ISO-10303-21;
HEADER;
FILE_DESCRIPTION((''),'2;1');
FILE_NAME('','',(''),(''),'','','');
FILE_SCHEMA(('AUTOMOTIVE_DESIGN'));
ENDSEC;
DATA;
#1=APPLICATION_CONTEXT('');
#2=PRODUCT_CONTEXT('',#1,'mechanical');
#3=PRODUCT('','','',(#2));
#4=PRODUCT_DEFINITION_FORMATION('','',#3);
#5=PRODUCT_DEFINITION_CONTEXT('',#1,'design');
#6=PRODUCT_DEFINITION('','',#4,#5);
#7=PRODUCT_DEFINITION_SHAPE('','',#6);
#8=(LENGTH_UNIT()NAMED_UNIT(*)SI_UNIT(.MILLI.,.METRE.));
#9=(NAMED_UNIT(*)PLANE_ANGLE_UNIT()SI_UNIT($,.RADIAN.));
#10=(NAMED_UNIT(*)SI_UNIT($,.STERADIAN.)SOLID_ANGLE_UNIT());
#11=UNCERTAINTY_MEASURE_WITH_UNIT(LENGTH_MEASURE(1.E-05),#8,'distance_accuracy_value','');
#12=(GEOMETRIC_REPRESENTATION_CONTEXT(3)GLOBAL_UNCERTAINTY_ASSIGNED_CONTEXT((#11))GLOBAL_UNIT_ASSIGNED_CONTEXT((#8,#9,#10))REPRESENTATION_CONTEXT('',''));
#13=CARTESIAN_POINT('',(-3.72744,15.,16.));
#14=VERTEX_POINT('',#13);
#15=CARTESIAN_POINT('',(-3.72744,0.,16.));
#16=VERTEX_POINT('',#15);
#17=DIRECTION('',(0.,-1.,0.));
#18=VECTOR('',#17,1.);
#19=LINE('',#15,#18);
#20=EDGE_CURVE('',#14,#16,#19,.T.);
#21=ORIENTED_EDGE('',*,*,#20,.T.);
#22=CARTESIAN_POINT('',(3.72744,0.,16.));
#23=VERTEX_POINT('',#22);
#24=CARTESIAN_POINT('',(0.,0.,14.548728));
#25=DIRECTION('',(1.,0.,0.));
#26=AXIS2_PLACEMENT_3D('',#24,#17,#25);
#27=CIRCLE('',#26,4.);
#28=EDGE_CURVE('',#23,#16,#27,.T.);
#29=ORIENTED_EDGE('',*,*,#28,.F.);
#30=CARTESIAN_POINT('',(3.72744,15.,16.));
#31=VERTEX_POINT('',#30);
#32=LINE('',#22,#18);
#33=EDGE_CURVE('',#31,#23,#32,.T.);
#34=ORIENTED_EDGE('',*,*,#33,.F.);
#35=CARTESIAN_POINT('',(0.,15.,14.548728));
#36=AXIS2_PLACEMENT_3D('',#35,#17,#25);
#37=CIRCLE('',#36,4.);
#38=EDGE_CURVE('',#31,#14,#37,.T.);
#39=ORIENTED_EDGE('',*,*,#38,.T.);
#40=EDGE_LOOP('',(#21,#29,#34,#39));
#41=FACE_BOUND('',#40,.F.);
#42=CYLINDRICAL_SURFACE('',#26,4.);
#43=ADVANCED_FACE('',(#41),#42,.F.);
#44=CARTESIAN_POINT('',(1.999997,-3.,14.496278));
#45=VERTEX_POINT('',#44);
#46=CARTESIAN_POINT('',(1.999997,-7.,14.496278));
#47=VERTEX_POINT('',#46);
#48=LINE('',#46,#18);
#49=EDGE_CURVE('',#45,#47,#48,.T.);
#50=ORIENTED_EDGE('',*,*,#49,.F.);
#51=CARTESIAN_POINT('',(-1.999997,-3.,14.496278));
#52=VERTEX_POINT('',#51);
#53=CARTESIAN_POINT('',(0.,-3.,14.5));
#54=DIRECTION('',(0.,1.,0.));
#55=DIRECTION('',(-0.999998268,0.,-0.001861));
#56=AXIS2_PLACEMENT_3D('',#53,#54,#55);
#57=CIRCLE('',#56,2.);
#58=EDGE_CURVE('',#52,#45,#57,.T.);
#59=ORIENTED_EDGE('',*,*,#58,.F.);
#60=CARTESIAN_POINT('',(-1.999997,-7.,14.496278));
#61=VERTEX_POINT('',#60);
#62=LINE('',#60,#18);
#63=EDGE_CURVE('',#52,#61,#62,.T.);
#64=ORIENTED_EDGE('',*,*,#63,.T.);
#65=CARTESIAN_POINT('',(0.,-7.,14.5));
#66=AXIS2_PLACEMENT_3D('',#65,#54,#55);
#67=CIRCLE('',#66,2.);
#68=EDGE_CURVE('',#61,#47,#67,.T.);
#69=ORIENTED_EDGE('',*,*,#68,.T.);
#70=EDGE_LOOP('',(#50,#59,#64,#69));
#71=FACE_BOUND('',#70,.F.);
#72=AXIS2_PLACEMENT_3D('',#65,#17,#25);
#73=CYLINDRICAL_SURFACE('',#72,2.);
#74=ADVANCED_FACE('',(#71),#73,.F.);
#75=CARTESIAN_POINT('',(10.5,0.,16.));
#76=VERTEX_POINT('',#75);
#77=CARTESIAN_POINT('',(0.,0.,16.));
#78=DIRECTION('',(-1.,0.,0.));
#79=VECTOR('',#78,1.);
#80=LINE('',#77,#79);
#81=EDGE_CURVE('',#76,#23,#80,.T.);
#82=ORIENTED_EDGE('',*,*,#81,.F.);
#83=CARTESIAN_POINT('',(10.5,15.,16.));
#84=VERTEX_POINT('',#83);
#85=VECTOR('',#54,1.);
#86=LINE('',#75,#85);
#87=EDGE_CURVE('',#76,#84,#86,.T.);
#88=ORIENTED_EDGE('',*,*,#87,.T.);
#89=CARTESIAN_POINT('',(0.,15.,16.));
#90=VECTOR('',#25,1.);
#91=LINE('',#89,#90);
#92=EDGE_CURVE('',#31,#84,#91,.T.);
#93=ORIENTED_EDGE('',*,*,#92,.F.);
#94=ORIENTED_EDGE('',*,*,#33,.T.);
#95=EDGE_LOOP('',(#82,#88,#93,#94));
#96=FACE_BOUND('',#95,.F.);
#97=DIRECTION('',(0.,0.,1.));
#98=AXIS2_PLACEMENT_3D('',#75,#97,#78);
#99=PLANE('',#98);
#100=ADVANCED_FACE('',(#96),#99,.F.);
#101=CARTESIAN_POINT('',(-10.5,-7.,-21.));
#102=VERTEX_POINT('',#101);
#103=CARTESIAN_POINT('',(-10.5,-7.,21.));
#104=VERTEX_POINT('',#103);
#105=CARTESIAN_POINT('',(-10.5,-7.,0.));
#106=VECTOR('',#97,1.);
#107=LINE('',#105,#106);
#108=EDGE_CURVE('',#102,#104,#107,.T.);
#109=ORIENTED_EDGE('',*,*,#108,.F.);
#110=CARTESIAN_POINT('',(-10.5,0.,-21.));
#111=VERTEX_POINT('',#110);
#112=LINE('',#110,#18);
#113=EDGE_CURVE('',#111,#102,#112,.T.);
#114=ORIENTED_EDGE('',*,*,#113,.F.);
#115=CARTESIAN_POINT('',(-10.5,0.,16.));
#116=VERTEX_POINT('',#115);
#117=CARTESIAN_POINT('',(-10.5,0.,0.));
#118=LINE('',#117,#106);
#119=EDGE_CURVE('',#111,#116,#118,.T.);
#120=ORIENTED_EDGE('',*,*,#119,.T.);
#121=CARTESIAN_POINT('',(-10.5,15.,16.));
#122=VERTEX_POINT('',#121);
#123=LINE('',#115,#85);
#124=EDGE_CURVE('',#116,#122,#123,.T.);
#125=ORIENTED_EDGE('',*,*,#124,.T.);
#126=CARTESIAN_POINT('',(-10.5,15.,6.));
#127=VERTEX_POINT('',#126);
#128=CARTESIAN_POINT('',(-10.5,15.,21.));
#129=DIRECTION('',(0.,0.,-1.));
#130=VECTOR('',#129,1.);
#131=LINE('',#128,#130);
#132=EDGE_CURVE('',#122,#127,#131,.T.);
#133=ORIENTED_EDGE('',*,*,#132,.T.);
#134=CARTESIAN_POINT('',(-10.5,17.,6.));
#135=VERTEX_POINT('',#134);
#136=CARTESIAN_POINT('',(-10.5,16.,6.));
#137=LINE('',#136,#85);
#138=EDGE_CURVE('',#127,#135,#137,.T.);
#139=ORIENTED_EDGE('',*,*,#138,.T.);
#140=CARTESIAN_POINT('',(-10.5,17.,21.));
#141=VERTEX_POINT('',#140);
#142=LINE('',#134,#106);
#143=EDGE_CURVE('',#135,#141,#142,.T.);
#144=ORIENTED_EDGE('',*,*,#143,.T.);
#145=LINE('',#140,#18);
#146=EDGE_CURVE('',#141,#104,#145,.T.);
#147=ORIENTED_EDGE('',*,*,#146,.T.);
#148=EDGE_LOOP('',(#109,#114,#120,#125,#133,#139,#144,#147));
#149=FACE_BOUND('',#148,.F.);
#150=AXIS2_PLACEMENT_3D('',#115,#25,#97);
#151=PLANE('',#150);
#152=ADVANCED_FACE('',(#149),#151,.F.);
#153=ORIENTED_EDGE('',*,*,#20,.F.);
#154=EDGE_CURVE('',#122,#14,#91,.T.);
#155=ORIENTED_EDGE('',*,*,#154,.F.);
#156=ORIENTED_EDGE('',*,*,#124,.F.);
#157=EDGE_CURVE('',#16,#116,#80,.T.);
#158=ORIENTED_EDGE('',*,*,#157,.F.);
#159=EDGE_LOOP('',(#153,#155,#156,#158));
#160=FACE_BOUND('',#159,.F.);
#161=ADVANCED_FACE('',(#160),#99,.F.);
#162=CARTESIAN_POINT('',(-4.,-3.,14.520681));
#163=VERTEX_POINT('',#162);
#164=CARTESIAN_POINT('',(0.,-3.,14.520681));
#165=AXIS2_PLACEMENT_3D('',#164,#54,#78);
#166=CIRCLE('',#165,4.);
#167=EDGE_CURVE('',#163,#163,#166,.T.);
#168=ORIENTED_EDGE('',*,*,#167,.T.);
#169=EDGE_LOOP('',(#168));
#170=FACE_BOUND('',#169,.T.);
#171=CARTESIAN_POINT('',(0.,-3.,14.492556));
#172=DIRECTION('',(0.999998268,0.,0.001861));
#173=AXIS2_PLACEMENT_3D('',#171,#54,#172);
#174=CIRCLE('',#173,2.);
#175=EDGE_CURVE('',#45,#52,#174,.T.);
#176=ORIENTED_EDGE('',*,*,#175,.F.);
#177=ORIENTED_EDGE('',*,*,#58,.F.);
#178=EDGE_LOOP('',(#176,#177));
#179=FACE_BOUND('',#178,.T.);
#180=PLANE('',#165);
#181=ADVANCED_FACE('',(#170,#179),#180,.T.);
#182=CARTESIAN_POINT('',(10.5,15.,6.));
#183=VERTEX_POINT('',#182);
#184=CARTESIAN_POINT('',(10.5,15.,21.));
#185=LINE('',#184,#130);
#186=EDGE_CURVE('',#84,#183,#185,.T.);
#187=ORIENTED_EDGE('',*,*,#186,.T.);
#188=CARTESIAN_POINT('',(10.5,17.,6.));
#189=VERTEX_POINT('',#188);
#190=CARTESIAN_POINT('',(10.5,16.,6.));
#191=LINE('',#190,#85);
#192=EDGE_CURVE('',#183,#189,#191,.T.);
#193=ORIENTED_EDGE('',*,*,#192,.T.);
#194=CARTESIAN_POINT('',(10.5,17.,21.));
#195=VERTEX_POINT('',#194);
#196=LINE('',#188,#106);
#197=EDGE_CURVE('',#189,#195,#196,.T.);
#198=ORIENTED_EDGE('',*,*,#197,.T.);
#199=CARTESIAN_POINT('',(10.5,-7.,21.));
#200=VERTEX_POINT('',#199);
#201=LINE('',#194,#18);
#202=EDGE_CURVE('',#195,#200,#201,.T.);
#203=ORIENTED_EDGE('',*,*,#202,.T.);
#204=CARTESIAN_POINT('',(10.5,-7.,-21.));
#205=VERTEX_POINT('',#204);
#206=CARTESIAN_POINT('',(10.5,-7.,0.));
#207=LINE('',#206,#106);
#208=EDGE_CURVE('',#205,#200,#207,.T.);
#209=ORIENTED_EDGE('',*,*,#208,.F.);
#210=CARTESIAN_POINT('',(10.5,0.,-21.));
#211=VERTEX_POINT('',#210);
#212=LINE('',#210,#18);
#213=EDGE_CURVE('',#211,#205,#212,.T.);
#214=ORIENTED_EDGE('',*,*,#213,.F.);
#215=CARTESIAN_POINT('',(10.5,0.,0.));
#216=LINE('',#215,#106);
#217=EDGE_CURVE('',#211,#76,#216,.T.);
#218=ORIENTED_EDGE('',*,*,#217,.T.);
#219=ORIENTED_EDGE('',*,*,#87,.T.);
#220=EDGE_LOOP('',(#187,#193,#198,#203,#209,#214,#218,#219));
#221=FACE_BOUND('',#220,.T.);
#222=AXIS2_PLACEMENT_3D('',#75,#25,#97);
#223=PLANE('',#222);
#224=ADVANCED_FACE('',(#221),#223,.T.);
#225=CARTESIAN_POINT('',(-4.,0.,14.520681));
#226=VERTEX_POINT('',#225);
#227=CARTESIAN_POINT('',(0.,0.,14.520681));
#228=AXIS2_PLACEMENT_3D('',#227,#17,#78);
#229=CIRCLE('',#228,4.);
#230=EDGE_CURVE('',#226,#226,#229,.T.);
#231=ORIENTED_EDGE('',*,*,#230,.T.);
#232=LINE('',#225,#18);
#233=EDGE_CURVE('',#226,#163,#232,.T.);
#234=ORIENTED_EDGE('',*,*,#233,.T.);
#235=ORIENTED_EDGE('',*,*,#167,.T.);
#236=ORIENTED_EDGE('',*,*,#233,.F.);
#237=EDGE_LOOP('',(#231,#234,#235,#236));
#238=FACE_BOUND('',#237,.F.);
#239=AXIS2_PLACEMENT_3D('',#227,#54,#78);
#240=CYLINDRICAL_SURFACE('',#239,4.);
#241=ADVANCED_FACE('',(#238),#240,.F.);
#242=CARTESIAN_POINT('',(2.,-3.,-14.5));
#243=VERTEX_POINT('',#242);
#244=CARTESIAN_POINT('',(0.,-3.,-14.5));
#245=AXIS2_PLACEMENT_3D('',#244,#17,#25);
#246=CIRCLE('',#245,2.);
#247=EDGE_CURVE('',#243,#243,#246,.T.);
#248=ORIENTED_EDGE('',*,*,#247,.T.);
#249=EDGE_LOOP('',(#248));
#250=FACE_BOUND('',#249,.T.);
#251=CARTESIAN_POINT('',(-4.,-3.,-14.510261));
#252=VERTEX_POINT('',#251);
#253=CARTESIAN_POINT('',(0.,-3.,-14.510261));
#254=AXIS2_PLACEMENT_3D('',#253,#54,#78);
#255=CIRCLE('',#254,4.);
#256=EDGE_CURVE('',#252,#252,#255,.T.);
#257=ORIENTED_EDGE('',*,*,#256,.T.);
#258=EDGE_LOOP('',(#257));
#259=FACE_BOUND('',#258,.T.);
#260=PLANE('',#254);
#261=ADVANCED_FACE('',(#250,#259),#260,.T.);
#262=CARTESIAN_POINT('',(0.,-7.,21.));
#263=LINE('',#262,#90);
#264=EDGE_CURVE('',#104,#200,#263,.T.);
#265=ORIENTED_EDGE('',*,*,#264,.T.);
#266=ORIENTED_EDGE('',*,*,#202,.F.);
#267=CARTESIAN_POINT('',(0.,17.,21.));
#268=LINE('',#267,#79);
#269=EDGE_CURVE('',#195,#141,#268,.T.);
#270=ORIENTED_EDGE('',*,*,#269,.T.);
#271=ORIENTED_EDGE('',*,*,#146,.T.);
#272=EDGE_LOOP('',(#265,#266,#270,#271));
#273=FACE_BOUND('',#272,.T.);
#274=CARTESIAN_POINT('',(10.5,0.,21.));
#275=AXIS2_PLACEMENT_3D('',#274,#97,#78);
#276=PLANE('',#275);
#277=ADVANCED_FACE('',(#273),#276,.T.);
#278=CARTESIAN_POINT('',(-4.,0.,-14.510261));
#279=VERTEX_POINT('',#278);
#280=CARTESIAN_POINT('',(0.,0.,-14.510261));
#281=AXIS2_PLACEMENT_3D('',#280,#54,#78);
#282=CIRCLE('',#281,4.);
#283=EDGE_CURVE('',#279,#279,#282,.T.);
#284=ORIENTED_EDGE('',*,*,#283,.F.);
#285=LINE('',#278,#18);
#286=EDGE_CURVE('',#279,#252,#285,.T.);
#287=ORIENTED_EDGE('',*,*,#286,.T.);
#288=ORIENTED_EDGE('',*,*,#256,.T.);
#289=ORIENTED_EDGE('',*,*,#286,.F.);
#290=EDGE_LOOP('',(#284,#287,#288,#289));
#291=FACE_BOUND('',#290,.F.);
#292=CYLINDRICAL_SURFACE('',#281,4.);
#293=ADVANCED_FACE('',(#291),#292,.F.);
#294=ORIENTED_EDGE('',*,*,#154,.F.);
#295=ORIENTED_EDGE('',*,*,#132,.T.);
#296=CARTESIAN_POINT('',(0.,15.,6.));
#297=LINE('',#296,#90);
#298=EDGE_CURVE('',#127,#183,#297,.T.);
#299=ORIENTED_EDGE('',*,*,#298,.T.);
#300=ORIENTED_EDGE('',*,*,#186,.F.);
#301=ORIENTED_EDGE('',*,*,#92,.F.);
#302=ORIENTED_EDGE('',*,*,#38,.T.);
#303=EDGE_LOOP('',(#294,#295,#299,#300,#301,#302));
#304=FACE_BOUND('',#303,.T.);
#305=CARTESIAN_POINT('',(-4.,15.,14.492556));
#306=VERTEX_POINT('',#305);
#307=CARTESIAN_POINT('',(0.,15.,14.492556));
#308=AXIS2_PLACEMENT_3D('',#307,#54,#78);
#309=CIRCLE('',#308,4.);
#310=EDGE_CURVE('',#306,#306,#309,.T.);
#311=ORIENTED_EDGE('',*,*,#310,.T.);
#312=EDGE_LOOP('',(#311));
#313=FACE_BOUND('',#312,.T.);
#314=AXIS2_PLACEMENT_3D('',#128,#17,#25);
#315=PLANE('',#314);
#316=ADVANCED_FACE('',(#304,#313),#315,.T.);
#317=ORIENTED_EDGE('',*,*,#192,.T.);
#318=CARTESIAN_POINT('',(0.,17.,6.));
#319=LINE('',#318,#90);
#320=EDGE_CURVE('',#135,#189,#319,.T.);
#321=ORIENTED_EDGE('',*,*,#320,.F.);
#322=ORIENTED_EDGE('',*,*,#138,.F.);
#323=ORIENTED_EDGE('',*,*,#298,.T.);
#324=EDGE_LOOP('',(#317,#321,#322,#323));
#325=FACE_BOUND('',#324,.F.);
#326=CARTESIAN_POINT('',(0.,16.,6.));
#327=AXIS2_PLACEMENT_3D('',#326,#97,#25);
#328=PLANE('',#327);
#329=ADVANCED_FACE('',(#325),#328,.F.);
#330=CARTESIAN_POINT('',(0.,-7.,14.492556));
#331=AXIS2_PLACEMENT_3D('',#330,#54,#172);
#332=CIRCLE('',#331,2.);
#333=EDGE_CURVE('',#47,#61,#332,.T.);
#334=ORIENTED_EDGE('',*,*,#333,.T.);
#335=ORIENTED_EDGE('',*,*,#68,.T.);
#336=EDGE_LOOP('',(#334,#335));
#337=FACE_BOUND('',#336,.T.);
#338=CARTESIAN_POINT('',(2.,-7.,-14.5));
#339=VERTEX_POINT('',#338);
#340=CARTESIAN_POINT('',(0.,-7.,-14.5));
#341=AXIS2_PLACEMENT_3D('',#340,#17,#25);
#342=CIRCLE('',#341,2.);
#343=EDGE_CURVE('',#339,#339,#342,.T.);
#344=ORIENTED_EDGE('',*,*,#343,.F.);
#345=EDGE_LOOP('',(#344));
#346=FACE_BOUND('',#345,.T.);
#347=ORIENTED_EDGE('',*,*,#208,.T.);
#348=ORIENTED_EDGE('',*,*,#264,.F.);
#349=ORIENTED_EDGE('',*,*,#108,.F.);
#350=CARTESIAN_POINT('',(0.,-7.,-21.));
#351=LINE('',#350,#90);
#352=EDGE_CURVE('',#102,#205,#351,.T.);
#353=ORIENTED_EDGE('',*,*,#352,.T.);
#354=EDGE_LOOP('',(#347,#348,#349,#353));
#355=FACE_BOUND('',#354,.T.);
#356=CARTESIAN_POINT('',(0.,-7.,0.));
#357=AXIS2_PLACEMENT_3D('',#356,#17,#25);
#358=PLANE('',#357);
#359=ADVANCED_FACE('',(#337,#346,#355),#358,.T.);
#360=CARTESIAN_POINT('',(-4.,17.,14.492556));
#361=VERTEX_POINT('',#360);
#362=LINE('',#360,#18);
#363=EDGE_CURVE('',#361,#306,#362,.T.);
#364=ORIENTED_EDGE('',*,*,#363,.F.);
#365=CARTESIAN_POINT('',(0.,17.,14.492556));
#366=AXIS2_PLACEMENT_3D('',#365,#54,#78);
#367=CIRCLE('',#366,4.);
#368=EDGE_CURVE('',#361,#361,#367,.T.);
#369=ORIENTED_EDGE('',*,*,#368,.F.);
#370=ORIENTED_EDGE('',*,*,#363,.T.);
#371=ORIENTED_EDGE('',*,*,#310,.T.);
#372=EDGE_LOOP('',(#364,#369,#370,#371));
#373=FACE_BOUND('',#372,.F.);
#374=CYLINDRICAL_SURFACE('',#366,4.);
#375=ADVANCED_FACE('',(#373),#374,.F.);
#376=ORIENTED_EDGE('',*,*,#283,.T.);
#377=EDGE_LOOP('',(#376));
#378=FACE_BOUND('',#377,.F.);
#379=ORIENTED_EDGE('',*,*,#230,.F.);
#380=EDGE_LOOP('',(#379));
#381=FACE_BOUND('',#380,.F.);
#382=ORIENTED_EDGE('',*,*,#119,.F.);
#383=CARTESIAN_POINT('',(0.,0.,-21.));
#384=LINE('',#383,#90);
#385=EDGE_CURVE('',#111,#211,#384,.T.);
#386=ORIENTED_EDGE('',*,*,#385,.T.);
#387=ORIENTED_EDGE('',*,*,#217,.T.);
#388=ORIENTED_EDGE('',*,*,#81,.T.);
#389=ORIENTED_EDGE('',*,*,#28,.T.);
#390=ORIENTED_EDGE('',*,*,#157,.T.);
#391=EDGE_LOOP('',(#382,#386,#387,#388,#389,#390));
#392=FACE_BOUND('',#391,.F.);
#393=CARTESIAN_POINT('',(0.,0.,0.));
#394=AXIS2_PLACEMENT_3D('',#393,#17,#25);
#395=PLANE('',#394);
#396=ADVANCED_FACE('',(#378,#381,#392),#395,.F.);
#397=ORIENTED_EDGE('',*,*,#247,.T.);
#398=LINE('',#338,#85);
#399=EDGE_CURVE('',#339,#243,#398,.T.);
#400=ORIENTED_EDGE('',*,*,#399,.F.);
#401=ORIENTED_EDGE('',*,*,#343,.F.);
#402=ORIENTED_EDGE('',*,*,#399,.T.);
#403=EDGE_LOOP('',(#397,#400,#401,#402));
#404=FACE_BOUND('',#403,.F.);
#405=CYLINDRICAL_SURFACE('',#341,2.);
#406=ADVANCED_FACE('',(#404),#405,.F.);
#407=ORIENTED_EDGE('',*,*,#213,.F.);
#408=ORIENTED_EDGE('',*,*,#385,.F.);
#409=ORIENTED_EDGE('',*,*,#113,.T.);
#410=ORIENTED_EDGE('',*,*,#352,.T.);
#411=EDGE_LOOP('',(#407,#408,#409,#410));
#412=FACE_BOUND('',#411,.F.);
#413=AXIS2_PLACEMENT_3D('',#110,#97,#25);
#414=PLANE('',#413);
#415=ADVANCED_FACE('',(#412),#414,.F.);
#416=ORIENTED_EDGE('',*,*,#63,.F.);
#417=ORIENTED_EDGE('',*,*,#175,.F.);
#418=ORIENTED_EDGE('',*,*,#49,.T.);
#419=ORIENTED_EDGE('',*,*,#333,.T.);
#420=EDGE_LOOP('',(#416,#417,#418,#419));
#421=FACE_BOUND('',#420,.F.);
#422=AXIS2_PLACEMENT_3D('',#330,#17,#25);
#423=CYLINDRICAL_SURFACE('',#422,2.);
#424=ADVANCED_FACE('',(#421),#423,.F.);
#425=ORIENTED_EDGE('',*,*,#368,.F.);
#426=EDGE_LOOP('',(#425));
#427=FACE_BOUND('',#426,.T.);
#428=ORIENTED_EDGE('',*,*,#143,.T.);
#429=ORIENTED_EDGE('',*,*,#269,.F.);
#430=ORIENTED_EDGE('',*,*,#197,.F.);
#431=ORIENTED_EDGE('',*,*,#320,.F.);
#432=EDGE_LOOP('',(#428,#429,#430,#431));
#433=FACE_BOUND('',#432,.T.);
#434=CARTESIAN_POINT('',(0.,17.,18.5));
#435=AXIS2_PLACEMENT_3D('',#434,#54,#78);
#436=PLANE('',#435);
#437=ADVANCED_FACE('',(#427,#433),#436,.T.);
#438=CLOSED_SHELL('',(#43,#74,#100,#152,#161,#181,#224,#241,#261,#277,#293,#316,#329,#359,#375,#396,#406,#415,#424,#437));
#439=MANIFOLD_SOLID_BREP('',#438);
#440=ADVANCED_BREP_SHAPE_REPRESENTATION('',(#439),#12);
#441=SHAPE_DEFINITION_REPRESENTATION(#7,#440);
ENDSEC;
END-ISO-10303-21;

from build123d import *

# Parameters (mm, degrees)
F0_W      = 21
F0_H      = 42
F1_DEPTH  = 7
F2_W      = 21
F2_H      = 5
F3_DEPTH  = 17
F4_R      = 2
F5_DEPTH  = 25
F6_R      = 4
F7_DEPTH  = 3
F8_R      = 4
F9_DEPTH  = 25
F10_W     = 21
F10_H     = 2
F11_DEPTH = 15
F12_R     = 2
F13_DEPTH = 25
F14_R     = 4
F15_DEPTH = 5


with BuildPart() as f1:
    # F0 (on Front) → F1 (new body)
    with BuildSketch(Plane.XZ):
        Rectangle(F0_W, F0_H)
    extrude(amount=F1_DEPTH)

    # F2 (on face) → F3 (join)
    with BuildSketch(Plane(origin=(0, 0, 0), x_dir=(-1, 0, 0), z_dir=(0, 1, 0))):
        with Locations((0, 18.5)):
            Rectangle(F2_W, F2_H)
    extrude(amount=F3_DEPTH)

    # F4 (on face) → F5 (cut)
    with BuildSketch(Plane.XZ.offset(7)):
        with Locations((0, 14.5)):
            Circle(F4_R)
        with Locations((0, -14.5)):
            Circle(F4_R)
    extrude(amount=-F5_DEPTH, mode=Mode.SUBTRACT)

    # F6 (on face) → F7 (cut)
    with BuildSketch(Plane(origin=(0, 0, 0), x_dir=(-1, 0, 0), z_dir=(0, 1, 0))):
        with Locations((0, 14.520681)):
            Circle(F6_R)
        with Locations((0, -14.510261)):
            Circle(F6_R)
    extrude(amount=-F7_DEPTH, mode=Mode.SUBTRACT)

    # F8 (on face) → F9 (cut)
    with BuildSketch(Plane.XZ):
        with Locations((0, 14.548728)):
            Circle(F8_R)
    extrude(amount=-F9_DEPTH, mode=Mode.SUBTRACT)

    # F10 (on face) → F11 (join)
    with BuildSketch(Plane.XY.offset(21)):
        with Locations((0, 16)):
            Rectangle(F10_W, F10_H)
    extrude(amount=-F11_DEPTH)

    # F12 (on face) → F13 (cut)
    with BuildSketch(Plane.XZ.offset(7)):
        with Locations((0, 14.492556)):
            Circle(F12_R)
    extrude(amount=-F13_DEPTH, mode=Mode.SUBTRACT)

    # F14 (on face) → F15 (cut)
    with BuildSketch(Plane(origin=(0, 17, 0), x_dir=(-1, 0, 0), z_dir=(0, 1, 0))):
        with Locations((0, 14.492556)):
            Circle(F14_R)
    extrude(amount=-F15_DEPTH, mode=Mode.SUBTRACT)


solid = f1.part
